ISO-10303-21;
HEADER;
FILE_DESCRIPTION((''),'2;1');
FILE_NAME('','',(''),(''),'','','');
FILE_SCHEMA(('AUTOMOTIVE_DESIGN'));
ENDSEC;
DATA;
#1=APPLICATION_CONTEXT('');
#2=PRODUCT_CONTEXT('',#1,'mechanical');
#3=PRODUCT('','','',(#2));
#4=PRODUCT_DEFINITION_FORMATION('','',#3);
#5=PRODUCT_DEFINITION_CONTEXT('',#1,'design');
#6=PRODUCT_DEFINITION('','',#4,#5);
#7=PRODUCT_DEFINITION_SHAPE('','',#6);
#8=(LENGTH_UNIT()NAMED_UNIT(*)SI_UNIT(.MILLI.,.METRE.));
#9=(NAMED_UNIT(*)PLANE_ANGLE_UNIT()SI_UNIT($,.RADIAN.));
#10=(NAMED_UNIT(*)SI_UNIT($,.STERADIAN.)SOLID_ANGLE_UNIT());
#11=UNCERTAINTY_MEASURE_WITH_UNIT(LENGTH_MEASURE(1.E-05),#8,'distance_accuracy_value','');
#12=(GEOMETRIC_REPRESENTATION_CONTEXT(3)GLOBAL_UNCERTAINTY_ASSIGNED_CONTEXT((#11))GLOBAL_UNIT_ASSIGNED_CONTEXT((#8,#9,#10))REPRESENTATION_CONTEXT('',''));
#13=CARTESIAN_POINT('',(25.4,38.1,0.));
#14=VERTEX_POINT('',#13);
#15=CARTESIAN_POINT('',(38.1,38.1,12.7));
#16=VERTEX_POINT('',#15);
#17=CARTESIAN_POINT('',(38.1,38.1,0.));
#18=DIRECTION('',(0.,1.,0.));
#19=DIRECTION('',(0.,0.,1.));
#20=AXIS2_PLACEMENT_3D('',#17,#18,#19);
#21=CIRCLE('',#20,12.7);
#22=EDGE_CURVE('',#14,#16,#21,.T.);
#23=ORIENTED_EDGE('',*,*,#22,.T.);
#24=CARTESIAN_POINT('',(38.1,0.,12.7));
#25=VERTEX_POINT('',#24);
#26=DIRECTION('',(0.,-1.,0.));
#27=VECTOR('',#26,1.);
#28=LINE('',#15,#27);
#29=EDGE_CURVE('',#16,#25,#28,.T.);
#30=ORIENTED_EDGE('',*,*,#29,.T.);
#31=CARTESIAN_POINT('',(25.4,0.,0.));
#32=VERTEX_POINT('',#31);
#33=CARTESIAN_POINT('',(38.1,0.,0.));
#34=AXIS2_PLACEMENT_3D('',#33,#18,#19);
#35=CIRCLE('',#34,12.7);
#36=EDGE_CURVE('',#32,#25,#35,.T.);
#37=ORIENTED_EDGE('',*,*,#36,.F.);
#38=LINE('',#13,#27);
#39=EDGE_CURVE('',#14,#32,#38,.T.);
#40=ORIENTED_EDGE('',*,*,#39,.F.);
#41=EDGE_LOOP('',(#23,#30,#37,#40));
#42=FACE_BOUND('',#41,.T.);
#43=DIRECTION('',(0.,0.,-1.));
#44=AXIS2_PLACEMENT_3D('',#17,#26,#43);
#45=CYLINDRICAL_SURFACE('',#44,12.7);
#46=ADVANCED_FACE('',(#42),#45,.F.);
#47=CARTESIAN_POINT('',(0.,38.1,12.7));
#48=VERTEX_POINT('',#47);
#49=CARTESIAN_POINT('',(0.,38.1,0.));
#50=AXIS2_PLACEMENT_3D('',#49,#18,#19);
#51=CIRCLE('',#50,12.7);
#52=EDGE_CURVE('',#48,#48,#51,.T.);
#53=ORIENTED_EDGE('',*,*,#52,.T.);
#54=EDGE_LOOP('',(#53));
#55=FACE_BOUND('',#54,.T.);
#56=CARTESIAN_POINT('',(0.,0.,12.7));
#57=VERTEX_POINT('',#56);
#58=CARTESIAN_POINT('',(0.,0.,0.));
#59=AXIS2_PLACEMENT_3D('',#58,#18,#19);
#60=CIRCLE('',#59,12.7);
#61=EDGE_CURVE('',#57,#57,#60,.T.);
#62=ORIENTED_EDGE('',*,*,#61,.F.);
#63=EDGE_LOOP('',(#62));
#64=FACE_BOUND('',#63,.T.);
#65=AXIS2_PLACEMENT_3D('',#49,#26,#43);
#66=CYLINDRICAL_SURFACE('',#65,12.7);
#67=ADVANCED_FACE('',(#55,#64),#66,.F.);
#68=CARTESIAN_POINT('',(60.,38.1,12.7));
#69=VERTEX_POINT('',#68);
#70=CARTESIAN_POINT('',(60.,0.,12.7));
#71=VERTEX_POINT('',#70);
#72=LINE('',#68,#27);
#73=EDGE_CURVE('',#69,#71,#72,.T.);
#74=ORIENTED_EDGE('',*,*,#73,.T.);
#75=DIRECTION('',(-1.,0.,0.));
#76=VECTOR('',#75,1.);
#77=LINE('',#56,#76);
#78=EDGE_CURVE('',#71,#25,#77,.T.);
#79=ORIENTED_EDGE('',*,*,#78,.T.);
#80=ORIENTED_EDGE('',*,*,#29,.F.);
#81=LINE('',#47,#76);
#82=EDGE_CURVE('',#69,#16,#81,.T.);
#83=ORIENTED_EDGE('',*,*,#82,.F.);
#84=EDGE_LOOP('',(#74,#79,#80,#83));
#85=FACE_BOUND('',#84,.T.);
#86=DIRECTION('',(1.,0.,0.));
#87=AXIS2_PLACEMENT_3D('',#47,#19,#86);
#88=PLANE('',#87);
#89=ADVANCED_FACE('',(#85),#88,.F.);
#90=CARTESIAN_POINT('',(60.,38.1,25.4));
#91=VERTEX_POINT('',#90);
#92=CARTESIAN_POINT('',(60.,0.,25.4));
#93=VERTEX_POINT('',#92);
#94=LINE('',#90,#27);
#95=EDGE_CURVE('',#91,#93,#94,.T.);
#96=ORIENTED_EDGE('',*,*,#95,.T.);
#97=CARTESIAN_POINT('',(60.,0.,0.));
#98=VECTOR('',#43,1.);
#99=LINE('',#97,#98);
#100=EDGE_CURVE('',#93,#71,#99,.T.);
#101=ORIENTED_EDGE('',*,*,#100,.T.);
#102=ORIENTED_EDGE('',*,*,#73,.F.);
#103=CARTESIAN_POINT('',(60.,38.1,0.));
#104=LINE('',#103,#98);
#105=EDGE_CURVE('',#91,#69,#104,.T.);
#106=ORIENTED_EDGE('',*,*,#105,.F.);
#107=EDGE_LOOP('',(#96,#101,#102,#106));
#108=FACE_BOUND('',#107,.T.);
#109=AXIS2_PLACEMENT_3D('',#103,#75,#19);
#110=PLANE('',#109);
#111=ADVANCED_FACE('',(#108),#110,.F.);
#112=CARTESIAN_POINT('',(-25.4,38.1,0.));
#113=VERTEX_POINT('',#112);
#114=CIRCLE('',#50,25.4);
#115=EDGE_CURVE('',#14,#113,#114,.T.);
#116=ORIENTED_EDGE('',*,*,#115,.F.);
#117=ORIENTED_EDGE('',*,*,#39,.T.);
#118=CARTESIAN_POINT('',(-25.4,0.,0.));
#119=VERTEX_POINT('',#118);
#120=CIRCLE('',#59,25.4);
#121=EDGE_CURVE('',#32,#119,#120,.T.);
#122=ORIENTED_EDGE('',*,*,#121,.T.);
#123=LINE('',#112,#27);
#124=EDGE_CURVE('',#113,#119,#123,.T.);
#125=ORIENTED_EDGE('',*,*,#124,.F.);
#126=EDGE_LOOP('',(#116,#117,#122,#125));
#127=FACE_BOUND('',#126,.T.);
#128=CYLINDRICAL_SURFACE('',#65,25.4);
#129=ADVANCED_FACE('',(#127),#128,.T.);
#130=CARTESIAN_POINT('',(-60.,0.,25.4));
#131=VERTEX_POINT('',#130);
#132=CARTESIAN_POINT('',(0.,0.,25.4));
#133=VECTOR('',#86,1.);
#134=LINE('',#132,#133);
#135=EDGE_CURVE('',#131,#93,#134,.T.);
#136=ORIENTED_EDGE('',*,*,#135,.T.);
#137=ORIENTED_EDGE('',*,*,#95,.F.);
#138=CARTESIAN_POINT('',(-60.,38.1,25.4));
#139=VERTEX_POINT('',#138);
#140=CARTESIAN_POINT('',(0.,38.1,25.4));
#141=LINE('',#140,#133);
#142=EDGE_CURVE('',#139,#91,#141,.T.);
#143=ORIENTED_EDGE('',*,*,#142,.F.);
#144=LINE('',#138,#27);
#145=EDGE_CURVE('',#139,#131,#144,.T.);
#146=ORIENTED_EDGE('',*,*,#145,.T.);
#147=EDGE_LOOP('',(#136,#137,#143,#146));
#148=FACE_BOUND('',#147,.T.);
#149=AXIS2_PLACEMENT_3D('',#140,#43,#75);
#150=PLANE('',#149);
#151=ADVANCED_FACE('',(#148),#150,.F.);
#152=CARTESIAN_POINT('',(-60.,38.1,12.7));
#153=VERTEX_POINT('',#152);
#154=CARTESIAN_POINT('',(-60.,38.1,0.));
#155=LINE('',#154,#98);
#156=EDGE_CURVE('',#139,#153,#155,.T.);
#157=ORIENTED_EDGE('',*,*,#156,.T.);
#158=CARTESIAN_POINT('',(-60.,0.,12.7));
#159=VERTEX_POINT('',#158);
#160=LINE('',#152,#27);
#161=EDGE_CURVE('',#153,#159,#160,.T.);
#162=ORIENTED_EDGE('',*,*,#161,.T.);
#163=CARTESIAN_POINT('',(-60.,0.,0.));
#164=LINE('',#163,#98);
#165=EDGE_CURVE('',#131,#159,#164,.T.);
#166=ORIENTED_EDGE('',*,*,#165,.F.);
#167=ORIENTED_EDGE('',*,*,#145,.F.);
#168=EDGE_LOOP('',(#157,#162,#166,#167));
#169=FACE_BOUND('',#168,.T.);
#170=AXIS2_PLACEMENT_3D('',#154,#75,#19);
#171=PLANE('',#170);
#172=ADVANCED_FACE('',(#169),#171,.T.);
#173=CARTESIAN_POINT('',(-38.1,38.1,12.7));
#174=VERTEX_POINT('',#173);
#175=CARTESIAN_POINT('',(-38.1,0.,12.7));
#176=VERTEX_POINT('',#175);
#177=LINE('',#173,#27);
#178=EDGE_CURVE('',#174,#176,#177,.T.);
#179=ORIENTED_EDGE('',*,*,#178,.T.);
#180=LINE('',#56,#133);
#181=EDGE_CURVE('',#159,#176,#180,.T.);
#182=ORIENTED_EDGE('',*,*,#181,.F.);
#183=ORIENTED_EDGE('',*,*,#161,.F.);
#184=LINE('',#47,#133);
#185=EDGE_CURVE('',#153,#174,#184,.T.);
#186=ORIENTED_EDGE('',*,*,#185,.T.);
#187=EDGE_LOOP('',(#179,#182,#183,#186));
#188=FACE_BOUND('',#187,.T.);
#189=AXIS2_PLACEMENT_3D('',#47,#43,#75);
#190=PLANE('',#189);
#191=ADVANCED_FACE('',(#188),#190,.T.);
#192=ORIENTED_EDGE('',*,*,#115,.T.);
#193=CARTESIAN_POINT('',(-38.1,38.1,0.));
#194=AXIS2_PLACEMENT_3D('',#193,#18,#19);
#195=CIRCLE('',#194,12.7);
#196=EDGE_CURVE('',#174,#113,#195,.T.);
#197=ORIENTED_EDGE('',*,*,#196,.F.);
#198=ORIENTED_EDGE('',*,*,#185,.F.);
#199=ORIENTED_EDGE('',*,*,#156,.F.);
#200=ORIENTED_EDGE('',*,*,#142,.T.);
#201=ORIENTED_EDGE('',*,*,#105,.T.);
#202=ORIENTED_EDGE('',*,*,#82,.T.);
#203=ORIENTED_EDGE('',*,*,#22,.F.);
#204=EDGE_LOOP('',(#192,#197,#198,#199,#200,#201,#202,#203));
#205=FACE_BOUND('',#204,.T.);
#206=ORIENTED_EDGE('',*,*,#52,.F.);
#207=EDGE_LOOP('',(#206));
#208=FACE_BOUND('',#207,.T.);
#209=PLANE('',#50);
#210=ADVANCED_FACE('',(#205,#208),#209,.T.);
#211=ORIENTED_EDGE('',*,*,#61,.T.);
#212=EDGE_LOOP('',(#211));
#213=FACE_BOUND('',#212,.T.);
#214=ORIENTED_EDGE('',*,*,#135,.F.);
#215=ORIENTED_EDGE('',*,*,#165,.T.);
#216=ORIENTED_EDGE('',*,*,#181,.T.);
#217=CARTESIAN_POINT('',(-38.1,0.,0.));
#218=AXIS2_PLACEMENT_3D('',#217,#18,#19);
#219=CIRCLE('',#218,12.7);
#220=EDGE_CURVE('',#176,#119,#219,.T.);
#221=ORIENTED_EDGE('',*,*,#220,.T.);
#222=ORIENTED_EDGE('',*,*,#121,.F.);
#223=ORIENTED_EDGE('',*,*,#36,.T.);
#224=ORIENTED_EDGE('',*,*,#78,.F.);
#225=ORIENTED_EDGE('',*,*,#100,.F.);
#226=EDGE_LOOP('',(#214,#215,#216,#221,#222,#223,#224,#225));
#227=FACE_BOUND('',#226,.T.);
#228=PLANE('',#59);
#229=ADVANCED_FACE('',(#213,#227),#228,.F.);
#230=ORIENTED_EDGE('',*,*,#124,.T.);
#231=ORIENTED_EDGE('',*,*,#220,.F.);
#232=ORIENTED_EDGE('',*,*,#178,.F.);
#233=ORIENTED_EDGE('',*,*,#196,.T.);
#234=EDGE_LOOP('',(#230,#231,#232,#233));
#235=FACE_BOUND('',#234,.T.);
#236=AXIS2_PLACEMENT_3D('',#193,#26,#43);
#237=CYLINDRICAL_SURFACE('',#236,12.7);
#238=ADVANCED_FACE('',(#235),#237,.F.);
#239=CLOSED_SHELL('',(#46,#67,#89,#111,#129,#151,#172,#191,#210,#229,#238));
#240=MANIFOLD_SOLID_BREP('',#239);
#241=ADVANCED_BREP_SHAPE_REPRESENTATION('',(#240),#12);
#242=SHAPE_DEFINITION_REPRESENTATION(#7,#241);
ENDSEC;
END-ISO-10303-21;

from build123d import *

# Parameters (mm, degrees)
SKETCH1_R           = 12.7
BOSS_EXTRUDE1_DEPTH = 38.1


with BuildPart() as part:
    # Sketch1 → Boss-Extrude1 (new body)
    with BuildSketch(Plane(origin=(0, 0, 0), x_dir=(1, 0, 0), z_dir=(0, 1, 0))):
        with BuildLine():
            ThreePointArc((25.4, 0), (29.119743879, -8.980256121), (38.1, -12.7))
            Line((38.1, -12.7), (60, -12.7))
            Line((60, -12.7), (60, -25.4))
            Line((60, -25.4), (-60, -25.4))
            Line((-60, -25.4), (-60, -12.7))
            Line((-60, -12.7), (-38.1, -12.7))
            ThreePointArc((-38.1, -12.7), (-29.119743879, -8.980256121), (-25.4, 0))
            ThreePointArc((-25.4, 0), (0, 25.4), (25.4, 0))
        make_face()
        Circle(SKETCH1_R, mode=Mode.SUBTRACT)
    extrude(amount=BOSS_EXTRUDE1_DEPTH)


solid = part.part
